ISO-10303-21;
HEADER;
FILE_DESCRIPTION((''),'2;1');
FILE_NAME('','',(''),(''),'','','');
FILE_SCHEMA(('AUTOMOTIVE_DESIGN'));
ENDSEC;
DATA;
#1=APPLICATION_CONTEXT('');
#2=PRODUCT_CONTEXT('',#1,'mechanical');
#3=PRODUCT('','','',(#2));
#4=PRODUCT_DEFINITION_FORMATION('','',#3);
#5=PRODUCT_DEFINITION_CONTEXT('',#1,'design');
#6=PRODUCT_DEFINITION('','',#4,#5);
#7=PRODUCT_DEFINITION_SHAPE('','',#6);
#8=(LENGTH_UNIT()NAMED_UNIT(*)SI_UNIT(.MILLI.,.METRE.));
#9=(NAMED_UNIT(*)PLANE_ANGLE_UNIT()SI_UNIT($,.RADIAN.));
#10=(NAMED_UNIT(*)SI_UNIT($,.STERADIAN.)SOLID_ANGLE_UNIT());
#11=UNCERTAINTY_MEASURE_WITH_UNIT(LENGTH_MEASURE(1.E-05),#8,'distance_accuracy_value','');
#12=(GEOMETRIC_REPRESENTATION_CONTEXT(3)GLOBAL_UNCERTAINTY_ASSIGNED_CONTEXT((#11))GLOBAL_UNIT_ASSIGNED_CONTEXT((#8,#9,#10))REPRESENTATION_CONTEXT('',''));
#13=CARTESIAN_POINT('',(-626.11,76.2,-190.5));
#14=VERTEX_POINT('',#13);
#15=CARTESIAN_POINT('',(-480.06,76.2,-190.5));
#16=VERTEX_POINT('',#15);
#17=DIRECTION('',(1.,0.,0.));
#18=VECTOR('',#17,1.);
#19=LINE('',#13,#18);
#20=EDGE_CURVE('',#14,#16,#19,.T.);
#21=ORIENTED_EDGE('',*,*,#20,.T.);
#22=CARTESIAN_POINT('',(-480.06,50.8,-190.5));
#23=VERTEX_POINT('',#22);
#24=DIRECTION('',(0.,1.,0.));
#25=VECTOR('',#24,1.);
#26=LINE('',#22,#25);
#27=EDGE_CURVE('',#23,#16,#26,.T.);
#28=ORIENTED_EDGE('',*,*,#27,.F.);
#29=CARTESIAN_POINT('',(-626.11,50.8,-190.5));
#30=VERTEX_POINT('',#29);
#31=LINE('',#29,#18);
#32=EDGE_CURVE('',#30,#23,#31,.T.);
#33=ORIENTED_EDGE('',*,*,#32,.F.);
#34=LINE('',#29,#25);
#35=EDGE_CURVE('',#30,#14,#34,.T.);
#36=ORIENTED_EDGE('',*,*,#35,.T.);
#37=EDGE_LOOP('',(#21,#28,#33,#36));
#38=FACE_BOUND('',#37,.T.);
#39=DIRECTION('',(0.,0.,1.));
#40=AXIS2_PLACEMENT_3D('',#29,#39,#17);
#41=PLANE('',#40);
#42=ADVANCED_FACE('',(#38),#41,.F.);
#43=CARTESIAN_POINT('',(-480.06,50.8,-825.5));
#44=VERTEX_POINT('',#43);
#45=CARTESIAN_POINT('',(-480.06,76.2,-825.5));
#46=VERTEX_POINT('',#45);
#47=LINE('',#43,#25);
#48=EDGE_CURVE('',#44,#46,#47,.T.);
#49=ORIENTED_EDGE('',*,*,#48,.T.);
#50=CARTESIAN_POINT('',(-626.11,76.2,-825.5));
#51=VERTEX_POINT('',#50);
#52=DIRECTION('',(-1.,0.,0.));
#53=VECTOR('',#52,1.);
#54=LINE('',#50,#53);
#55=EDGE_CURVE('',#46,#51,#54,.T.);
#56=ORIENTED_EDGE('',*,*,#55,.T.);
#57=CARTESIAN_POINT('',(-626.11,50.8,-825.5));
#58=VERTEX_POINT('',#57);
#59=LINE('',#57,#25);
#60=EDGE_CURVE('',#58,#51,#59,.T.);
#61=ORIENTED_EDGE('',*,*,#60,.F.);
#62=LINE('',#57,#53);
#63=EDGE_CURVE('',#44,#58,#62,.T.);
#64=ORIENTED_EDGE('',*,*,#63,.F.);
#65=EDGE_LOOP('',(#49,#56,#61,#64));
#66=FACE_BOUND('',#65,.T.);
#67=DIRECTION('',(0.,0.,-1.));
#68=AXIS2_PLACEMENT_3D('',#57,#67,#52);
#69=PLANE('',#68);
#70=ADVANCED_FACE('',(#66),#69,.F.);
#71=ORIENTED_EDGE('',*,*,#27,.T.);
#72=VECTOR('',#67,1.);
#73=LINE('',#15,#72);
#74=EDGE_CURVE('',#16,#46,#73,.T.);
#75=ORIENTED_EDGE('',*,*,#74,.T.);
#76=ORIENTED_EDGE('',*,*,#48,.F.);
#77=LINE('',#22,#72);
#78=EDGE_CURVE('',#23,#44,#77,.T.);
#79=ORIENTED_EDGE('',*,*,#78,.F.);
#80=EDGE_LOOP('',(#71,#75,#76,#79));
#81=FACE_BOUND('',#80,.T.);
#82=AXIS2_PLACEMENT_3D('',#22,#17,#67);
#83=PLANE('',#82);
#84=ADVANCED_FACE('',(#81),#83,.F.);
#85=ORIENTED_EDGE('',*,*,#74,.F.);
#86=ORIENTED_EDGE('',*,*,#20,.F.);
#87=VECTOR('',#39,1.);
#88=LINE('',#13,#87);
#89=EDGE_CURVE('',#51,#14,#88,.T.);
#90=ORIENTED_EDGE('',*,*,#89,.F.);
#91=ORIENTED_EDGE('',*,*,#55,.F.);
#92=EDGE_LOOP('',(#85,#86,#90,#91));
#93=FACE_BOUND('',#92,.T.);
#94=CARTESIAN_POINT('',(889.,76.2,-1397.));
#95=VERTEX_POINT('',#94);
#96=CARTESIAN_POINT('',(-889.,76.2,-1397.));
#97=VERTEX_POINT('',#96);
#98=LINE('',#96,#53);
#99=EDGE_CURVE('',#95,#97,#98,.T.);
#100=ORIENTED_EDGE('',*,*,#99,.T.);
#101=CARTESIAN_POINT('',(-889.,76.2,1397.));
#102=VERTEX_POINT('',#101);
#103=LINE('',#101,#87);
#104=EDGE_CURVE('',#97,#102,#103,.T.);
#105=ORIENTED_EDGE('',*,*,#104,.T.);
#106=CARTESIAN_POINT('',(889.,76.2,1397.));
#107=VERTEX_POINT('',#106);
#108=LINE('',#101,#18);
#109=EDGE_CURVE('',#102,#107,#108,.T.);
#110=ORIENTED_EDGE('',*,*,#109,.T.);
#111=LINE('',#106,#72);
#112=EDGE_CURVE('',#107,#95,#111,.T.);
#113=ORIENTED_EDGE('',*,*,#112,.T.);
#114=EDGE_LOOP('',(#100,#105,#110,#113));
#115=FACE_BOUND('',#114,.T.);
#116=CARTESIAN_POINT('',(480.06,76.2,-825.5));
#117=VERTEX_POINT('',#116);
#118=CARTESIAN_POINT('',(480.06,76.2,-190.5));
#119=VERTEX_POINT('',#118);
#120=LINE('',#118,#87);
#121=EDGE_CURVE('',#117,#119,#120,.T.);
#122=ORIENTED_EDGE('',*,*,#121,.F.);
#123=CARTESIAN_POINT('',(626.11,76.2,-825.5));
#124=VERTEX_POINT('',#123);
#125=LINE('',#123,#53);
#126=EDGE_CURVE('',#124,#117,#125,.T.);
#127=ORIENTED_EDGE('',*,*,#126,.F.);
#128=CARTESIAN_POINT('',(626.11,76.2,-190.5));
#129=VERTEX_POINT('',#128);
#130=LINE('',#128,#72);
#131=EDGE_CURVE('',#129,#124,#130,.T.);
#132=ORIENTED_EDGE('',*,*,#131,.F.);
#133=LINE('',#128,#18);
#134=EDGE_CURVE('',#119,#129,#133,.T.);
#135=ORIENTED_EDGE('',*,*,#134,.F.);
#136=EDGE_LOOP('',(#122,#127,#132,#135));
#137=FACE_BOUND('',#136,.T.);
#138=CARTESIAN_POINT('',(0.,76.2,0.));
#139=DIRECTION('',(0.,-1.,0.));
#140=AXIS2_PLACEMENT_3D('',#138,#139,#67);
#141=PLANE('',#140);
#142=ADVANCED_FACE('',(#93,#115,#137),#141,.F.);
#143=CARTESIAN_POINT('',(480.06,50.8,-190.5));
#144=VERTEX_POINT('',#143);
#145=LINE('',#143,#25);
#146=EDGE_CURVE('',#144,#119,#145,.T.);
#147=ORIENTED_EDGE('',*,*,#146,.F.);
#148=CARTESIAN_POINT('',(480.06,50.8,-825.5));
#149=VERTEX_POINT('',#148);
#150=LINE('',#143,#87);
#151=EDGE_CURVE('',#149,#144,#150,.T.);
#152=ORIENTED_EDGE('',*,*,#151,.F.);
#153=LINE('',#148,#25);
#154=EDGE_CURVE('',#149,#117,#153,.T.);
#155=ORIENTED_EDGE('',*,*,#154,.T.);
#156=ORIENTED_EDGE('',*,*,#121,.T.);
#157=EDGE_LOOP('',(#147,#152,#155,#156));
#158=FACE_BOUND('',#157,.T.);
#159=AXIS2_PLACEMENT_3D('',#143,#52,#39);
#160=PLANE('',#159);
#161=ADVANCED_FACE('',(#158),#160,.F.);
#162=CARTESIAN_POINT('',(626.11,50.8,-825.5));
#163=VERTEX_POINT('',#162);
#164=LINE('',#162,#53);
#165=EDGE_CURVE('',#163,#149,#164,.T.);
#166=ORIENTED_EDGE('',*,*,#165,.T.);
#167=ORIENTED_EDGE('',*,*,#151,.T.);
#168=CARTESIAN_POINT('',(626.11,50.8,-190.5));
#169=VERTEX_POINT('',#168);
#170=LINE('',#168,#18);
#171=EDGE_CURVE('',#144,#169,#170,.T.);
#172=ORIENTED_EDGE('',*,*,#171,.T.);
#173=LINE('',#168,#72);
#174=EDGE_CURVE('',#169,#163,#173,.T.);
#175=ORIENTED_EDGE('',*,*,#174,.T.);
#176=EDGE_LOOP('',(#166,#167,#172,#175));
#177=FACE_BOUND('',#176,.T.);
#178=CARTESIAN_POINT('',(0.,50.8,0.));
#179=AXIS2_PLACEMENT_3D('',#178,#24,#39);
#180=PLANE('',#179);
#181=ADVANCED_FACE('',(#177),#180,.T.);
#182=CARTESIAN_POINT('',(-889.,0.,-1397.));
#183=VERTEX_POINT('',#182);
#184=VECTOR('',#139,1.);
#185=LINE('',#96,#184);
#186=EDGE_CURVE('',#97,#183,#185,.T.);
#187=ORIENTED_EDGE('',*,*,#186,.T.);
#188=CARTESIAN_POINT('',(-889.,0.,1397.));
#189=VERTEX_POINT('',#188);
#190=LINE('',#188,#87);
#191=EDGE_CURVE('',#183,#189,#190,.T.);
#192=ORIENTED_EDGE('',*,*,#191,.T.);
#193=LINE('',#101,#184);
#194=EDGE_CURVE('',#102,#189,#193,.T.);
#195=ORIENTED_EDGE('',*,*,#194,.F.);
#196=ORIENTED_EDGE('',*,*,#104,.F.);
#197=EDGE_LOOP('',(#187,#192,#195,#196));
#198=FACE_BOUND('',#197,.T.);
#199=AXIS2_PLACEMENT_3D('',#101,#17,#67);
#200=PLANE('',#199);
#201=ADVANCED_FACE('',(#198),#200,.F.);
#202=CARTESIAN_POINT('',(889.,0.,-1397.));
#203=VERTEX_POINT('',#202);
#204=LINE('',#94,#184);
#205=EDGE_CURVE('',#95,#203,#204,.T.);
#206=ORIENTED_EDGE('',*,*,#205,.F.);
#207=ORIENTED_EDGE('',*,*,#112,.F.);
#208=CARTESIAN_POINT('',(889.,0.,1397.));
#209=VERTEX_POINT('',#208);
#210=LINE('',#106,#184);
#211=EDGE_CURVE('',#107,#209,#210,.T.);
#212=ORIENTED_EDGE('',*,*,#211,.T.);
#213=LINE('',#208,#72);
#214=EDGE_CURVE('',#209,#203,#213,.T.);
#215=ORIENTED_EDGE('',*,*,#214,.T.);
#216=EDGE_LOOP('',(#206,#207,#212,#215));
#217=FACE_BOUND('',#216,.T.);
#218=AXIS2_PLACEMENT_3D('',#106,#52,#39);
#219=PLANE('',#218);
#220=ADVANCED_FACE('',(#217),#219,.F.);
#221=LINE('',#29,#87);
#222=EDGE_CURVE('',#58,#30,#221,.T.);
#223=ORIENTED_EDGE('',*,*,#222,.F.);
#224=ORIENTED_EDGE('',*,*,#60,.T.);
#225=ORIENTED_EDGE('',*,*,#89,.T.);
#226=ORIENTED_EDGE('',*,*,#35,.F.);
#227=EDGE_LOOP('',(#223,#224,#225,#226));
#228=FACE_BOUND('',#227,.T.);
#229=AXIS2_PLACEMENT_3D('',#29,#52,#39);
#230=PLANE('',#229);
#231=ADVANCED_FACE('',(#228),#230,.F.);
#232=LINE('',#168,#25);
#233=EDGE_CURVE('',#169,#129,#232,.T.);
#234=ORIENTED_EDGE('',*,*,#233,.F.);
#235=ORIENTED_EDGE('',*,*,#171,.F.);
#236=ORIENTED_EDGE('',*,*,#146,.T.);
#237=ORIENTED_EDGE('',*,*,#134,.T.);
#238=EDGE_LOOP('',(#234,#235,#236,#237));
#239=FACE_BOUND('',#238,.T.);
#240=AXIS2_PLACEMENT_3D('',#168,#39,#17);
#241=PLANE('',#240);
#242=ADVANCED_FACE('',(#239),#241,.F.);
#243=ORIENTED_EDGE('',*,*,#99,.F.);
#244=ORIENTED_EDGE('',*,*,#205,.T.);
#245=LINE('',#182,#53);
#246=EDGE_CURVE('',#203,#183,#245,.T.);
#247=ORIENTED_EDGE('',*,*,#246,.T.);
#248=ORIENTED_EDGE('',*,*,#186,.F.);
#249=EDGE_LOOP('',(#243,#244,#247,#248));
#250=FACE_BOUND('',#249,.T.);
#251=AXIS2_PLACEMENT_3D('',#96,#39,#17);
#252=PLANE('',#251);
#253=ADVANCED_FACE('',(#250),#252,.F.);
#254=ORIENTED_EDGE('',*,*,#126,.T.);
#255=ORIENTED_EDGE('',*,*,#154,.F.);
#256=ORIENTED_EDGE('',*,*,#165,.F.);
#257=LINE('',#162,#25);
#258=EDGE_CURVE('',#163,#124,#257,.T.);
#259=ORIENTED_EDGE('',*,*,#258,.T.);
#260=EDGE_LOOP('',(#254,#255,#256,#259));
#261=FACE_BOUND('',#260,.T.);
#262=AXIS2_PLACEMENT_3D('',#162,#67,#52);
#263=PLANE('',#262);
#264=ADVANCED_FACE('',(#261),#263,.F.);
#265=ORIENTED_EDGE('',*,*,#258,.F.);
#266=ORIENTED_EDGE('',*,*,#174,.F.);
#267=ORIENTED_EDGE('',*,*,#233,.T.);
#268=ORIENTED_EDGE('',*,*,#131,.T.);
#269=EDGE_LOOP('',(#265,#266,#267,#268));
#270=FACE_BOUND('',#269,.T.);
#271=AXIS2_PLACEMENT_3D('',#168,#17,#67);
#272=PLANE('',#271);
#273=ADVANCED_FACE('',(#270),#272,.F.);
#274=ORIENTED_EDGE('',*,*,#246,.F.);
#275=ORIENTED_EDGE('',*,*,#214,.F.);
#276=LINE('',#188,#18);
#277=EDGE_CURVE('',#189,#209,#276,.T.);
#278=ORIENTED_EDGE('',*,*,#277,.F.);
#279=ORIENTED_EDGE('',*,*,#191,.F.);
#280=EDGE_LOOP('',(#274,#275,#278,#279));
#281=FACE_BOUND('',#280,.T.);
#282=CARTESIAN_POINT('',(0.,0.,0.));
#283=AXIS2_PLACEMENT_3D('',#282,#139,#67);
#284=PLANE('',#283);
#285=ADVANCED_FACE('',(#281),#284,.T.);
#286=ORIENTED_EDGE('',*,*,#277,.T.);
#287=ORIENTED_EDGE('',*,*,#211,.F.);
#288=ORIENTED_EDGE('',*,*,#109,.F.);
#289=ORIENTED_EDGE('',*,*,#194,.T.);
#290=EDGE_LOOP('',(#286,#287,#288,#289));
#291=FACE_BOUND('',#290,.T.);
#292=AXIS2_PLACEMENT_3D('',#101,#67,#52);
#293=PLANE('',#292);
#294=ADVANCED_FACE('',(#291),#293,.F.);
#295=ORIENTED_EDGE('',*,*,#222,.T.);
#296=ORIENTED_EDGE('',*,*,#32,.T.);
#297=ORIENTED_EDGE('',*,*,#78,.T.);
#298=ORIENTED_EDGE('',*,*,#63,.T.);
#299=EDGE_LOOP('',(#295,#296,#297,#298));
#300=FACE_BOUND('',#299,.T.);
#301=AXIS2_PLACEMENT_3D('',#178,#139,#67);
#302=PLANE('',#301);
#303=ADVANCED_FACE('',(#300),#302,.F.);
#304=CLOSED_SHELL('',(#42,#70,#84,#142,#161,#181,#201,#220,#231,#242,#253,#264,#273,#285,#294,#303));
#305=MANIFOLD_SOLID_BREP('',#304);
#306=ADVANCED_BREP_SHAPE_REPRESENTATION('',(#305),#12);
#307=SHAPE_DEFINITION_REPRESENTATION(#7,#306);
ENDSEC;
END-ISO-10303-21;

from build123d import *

# Parameters (mm, degrees)
SKETCH1_W           = 1778
SKETCH1_H           = 2794
BOSS_EXTRUDE1_DEPTH = 76.2
SKETCH3_W           = 146.05
SKETCH3_H           = 635
CUT_EXTRUDE1_DEPTH  = 25.4


with BuildPart() as part:
    # Sketch1 → Boss-Extrude1 (new body)
    with BuildSketch(Plane(origin=(0, 0, 0), x_dir=(1, 0, 0), z_dir=(0, 1, 0))):
        Rectangle(SKETCH1_W, SKETCH1_H)
    extrude(amount=BOSS_EXTRUDE1_DEPTH)

    # Sketch3 → Cut-Extrude1 (cut)
    with BuildSketch(Plane(origin=(0, 76.2, 0), x_dir=(1, 0, 0), z_dir=(0, 1, 0))):
        with Locations((553.085, 508)):
            Rectangle(SKETCH3_W, SKETCH3_H)
        with Locations((-553.085, 508)):
            Rectangle(SKETCH3_W, SKETCH3_H)
    extrude(amount=-CUT_EXTRUDE1_DEPTH, mode=Mode.SUBTRACT)


solid = part.part
